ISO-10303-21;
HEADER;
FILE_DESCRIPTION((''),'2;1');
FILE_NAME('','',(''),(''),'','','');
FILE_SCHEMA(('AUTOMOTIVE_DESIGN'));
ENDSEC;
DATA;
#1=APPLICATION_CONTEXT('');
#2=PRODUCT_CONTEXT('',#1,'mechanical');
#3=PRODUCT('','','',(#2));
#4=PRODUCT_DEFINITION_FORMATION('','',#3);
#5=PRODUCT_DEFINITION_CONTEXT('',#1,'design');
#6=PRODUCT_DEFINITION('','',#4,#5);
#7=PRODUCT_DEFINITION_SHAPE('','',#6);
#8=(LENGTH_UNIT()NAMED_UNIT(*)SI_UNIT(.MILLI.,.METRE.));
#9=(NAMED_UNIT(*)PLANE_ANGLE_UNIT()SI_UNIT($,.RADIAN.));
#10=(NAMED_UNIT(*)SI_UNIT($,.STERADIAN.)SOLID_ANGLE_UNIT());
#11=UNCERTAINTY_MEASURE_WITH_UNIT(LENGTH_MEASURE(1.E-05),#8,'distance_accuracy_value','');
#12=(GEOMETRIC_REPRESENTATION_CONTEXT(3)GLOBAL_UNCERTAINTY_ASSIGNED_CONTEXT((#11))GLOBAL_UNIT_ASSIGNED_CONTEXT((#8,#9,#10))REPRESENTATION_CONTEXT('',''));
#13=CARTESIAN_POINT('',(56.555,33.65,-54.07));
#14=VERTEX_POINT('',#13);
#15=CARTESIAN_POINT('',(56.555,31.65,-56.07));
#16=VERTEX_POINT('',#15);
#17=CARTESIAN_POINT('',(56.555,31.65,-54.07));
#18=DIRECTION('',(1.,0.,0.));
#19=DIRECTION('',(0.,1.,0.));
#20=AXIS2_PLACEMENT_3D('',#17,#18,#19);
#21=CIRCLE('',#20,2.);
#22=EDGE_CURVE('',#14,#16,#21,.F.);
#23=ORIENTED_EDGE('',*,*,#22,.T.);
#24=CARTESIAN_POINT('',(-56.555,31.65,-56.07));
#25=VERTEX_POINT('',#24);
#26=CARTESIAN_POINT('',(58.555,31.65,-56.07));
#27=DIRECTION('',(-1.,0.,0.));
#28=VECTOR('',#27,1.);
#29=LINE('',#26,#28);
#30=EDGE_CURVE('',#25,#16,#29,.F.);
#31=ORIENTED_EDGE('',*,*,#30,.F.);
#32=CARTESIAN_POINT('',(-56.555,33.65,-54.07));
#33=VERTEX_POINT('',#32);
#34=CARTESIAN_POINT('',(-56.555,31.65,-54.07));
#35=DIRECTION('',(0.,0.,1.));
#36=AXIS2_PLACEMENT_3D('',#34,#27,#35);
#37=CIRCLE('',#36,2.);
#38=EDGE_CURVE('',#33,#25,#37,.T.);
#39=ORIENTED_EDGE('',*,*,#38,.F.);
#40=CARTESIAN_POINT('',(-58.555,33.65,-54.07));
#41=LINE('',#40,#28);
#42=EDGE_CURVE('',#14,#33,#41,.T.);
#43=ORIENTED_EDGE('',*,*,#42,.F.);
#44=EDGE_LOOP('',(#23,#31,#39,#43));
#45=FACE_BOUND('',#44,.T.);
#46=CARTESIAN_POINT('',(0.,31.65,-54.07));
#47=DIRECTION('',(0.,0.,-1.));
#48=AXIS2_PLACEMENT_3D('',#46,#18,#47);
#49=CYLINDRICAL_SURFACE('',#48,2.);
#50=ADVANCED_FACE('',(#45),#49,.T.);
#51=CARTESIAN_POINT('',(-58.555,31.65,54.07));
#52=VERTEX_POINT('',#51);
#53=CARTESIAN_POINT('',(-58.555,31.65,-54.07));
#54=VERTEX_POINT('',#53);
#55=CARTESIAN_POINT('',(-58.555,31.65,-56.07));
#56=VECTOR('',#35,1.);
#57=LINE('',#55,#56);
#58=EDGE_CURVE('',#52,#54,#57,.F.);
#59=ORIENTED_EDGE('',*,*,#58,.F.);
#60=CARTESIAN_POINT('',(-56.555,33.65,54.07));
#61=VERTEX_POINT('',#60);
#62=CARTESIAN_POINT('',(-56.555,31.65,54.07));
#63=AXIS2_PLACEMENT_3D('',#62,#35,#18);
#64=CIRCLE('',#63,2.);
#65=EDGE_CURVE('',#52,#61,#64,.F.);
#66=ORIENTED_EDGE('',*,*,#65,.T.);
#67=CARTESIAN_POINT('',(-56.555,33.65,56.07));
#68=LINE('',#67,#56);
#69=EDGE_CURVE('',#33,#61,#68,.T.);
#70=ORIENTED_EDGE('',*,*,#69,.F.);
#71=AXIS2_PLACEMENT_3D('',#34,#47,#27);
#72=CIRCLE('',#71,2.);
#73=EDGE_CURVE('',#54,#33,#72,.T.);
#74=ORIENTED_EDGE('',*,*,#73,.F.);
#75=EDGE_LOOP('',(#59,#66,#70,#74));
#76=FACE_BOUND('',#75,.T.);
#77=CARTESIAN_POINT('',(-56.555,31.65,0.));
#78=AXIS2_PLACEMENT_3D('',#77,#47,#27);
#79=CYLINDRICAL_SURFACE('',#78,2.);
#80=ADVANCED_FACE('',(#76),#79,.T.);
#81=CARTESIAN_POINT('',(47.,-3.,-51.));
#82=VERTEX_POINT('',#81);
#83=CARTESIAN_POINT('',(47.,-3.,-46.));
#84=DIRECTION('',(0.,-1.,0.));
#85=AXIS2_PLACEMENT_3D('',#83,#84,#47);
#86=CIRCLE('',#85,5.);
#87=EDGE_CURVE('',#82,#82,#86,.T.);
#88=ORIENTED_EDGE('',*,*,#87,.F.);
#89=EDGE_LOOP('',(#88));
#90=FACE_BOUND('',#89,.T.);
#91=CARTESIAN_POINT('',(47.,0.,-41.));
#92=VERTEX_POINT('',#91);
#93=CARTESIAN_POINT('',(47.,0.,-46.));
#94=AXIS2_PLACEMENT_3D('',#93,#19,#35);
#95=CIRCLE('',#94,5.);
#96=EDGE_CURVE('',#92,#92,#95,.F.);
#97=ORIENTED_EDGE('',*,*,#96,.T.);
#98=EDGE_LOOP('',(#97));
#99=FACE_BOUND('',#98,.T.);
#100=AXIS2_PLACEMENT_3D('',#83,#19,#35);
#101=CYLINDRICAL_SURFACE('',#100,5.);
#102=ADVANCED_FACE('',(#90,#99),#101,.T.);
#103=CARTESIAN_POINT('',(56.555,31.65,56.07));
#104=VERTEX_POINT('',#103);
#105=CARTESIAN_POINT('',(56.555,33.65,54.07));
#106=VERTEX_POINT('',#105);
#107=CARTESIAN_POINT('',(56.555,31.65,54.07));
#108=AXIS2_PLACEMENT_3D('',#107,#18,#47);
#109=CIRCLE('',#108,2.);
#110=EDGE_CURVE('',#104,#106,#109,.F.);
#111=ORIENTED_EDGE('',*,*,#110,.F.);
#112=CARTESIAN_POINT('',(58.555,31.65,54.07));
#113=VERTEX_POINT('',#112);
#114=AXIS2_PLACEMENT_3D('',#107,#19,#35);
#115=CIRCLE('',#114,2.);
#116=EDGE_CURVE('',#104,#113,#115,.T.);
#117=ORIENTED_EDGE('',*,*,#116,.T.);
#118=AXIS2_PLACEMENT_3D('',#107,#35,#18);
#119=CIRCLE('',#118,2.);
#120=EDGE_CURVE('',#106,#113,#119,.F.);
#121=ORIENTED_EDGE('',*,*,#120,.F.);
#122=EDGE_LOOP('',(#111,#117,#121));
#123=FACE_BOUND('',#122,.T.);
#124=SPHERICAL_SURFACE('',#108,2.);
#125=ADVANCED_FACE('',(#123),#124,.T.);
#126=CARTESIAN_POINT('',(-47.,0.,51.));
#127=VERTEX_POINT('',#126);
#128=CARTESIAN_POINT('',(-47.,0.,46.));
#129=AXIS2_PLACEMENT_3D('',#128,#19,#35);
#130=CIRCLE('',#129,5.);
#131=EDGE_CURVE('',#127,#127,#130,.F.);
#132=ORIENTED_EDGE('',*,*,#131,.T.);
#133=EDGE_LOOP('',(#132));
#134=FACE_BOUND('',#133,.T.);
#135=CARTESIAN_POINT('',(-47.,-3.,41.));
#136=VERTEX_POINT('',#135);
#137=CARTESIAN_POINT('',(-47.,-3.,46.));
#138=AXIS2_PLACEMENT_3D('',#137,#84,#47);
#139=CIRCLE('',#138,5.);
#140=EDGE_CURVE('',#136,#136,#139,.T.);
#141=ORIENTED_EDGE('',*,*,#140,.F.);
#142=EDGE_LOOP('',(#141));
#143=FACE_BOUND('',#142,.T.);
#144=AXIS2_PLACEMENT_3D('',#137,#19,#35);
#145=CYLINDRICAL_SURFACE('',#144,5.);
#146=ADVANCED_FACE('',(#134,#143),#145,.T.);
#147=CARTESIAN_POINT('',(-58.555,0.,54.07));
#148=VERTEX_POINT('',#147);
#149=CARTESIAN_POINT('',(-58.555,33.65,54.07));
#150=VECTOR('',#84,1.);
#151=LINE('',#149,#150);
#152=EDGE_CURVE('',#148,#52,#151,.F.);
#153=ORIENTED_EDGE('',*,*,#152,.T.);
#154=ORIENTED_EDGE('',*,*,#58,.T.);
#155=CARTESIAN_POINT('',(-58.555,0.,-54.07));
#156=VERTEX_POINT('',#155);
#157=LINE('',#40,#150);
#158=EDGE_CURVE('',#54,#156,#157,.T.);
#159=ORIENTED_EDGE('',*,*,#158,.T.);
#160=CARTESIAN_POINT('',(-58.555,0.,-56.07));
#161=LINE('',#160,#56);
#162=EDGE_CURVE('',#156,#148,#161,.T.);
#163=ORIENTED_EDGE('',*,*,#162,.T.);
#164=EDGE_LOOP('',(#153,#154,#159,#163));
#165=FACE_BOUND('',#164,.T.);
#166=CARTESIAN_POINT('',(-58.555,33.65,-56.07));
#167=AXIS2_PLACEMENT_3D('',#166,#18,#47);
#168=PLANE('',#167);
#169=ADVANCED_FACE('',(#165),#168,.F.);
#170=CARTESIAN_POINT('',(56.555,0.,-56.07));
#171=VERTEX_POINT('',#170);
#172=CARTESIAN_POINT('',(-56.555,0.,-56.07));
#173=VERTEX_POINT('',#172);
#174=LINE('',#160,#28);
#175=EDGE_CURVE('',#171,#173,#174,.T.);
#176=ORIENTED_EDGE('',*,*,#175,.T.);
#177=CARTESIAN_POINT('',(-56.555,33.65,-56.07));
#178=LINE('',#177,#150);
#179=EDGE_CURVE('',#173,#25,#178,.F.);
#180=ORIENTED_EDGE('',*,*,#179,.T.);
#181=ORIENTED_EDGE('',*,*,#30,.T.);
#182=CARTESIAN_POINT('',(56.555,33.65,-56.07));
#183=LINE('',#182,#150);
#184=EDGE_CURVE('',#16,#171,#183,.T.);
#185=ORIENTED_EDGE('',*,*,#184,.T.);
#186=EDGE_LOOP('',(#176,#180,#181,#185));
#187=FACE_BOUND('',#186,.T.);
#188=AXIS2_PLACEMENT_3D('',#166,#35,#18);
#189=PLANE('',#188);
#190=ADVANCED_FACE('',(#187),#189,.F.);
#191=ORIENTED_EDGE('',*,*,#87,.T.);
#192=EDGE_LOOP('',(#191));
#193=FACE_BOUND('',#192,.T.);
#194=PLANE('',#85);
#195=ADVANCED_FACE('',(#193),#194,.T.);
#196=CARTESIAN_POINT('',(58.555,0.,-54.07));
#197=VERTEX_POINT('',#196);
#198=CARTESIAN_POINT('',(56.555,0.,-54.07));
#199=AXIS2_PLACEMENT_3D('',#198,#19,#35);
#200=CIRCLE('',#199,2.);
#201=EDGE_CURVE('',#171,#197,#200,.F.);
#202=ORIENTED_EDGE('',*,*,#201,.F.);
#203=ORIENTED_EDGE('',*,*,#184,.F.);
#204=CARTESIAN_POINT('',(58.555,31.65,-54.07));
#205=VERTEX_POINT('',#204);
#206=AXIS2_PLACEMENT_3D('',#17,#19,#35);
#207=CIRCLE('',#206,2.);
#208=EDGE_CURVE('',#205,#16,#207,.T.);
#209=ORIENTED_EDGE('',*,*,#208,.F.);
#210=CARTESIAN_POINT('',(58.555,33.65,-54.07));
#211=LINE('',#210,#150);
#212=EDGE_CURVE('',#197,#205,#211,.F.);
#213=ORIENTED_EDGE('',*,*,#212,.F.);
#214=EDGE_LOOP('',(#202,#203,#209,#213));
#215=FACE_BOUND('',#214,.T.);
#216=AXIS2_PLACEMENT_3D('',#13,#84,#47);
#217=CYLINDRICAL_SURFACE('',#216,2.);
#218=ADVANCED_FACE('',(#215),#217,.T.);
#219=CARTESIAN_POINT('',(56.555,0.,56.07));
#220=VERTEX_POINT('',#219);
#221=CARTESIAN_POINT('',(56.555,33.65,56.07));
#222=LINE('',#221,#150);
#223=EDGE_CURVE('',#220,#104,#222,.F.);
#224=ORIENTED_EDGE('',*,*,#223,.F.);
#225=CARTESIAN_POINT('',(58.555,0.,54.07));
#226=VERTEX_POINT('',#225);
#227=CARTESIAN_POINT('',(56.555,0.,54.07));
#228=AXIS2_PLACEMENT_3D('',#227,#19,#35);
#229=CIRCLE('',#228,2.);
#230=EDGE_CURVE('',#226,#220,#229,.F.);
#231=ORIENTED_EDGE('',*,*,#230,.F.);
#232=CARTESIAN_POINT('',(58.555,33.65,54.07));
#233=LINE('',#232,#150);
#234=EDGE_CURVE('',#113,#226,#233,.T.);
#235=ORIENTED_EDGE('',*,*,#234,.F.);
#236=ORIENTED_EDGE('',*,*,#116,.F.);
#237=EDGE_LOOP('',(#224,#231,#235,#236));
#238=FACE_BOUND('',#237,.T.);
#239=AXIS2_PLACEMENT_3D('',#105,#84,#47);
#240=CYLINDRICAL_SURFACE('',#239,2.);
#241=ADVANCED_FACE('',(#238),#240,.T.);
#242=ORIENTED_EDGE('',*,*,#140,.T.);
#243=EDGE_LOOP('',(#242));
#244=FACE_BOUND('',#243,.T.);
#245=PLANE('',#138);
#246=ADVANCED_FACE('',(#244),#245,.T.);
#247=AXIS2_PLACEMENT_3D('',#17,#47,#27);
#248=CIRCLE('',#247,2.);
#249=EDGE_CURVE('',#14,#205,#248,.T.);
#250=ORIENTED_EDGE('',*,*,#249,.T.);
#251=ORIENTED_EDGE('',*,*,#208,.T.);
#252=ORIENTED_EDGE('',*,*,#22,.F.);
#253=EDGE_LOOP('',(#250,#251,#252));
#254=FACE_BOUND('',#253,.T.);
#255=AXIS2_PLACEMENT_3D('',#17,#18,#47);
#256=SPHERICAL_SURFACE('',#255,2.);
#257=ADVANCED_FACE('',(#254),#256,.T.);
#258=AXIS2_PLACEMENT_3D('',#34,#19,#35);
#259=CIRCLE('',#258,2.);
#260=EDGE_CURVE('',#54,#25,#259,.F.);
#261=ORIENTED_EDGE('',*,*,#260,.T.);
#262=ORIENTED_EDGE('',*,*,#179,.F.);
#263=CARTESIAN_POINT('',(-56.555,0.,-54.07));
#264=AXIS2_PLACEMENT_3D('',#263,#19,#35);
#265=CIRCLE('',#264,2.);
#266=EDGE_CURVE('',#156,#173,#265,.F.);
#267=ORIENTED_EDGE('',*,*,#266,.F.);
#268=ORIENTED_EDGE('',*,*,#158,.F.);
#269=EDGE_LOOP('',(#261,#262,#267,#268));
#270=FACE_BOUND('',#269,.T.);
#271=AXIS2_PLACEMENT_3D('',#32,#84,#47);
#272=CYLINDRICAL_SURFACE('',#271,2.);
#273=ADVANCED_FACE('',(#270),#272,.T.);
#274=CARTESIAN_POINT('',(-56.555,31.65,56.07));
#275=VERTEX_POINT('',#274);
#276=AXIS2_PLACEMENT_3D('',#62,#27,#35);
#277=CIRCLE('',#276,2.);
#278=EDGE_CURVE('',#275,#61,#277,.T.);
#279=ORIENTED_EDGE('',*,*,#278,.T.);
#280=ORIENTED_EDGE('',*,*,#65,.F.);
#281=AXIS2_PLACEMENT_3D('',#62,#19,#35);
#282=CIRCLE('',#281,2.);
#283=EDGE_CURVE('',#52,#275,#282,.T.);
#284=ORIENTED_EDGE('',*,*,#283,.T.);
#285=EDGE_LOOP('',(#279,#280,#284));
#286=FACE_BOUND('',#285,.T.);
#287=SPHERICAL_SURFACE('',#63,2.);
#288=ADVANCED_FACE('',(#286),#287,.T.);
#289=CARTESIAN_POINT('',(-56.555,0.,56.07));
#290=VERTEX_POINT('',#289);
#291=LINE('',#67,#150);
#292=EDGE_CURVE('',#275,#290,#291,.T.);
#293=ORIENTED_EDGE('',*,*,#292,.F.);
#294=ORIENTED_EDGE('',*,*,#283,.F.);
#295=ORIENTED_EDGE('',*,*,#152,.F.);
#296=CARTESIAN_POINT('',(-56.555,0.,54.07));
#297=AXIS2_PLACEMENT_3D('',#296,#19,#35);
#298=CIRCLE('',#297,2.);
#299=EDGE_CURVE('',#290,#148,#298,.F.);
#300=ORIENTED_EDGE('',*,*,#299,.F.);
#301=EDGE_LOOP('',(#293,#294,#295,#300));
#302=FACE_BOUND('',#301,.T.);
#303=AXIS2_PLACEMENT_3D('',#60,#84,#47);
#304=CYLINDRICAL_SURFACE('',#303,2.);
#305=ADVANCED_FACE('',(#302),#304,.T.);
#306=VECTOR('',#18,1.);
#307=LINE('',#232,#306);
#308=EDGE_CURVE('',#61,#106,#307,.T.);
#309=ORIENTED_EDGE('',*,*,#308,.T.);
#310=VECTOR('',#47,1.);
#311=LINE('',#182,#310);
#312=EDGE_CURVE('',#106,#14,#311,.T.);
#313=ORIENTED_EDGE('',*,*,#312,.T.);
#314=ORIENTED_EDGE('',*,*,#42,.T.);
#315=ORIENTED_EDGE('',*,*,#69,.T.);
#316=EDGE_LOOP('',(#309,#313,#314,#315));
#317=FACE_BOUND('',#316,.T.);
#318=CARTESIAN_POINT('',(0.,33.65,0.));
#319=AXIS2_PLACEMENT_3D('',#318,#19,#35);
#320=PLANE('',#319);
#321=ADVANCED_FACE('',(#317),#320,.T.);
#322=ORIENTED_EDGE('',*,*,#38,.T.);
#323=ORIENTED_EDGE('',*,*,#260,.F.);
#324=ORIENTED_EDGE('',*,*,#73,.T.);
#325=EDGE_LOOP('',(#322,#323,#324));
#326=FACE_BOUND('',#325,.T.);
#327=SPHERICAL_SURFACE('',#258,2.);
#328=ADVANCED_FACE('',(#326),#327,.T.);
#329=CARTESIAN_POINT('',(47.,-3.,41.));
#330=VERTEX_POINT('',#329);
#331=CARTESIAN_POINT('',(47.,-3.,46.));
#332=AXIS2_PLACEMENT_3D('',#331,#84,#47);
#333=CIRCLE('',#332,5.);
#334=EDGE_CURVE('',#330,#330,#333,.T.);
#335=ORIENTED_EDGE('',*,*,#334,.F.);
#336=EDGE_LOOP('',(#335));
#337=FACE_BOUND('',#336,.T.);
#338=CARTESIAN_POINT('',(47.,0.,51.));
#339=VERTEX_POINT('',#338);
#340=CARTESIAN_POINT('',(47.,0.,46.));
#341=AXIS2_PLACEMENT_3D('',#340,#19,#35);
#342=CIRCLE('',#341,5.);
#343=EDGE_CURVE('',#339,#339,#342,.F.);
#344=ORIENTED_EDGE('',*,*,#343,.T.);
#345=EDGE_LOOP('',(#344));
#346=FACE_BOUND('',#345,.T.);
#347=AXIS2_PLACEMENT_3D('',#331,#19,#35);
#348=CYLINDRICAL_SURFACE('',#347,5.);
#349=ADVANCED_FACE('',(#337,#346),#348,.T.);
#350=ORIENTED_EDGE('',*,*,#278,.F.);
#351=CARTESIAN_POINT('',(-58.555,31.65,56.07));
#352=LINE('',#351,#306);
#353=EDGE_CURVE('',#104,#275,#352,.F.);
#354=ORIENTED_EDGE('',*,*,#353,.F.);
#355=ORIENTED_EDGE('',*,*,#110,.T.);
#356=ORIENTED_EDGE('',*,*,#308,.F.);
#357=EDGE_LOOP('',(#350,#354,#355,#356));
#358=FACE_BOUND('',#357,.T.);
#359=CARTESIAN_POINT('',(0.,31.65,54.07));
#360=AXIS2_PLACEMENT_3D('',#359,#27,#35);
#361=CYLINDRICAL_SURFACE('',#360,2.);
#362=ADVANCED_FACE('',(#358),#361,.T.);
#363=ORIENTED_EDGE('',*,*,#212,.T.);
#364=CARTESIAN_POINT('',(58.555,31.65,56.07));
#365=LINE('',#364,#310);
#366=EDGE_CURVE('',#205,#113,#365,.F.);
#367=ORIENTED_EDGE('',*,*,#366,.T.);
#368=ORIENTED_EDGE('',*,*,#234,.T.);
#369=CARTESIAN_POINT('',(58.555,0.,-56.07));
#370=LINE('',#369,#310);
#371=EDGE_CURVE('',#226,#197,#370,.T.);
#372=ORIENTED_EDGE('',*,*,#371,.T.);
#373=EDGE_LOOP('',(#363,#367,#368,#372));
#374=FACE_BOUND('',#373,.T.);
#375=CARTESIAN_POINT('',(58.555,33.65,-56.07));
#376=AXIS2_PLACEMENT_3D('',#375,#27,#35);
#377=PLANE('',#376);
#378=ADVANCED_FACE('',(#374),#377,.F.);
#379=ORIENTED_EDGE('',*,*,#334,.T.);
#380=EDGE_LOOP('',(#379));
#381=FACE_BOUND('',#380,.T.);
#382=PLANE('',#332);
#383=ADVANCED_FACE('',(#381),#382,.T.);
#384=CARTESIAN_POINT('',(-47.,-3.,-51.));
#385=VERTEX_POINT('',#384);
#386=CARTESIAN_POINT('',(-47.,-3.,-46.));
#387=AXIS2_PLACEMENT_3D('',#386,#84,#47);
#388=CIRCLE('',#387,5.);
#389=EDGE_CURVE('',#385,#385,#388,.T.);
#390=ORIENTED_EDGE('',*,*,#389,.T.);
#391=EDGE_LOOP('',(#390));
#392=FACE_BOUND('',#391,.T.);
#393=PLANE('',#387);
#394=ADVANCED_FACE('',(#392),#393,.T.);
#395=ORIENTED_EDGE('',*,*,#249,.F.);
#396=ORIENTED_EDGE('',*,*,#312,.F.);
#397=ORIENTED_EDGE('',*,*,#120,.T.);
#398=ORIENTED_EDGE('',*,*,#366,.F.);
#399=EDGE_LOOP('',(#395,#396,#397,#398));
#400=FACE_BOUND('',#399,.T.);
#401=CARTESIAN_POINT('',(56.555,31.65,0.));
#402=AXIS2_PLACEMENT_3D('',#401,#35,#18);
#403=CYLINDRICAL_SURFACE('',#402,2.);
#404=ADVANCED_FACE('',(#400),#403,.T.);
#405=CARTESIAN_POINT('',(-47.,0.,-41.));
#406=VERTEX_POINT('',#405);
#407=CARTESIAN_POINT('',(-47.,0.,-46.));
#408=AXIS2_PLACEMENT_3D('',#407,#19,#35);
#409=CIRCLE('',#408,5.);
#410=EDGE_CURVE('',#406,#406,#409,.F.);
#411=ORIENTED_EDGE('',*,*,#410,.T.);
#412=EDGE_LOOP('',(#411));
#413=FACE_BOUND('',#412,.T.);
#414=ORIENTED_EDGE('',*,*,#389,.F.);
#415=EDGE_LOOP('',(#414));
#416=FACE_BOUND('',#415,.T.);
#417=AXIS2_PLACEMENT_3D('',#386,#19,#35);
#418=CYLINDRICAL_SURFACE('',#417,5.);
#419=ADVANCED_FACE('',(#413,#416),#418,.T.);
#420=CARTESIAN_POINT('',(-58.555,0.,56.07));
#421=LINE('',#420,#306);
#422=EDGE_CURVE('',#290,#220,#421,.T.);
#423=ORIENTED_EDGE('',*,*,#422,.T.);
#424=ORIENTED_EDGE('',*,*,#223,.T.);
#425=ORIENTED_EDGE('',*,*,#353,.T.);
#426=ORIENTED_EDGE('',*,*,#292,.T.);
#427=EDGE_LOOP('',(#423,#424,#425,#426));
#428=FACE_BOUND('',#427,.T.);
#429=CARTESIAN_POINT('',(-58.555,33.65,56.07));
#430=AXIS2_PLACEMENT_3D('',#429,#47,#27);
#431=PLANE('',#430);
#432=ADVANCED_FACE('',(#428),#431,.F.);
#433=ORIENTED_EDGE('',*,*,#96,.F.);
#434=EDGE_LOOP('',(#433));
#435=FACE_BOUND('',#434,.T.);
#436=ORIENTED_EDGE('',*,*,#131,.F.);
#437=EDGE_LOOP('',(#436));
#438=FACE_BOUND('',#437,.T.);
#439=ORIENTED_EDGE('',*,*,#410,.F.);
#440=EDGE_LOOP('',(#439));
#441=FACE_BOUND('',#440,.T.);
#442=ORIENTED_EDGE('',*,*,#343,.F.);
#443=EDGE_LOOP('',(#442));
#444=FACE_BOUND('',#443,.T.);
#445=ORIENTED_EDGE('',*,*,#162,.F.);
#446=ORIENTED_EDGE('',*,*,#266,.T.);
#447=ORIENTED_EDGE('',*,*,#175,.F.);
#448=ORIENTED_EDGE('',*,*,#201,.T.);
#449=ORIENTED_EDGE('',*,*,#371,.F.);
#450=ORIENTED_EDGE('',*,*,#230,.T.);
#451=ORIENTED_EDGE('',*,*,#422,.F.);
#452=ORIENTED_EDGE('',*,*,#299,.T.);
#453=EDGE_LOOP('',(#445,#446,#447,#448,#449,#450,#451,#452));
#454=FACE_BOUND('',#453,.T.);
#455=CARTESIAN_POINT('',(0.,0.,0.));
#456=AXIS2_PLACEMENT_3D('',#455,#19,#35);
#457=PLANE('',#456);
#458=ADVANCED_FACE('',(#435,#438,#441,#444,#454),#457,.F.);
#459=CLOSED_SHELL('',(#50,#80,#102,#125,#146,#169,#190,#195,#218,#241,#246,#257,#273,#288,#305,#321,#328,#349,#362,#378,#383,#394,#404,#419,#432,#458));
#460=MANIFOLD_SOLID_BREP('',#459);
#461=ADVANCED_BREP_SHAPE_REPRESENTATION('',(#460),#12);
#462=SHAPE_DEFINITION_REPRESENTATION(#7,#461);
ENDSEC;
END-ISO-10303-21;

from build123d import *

# Parameters (mm, degrees)
SKETCH_1_W      = 117.11
SKETCH_1_H      = 112.14
EXTRUDE_1_DEPTH = 33.65
SKETCH_2_R      = 5
EXTRUDE_2_DEPTH = 3
FILLET_1_R      = 2


with BuildPart() as part:
    # 草图1 → 凸台-拉伸1 (new body)
    with BuildSketch(Plane(origin=(0, 0, 0), x_dir=(1, 0, 0), z_dir=(0, 1, 0))):
        Rectangle(SKETCH_1_W, SKETCH_1_H)
    extrude(amount=EXTRUDE_1_DEPTH)

    # 草图2 → 凸台-拉伸2 (add)
    with BuildSketch(Plane.XZ):
        with Locations((-47, 46)):
            Circle(SKETCH_2_R)
        with Locations((47, 46)):
            Circle(SKETCH_2_R)
        with Locations((47, -46)):
            Circle(SKETCH_2_R)
        with Locations((-47, -46)):
            Circle(SKETCH_2_R)
    extrude(amount=EXTRUDE_2_DEPTH)

    # 圆角1
    fillet_1_edges = [part.edges().sort_by_distance(p)[0] for p in [
        (-58.555, 33.65, 0),
        (0, 33.65, 56.07),
        (58.555, 33.65, 0),
        (58.555, 16.825, 56.07),
        (-58.555, 16.825, 56.07),
        (-58.555, 16.825, -56.07),
        (58.555, 16.825, -56.07),
        (0, 33.65, -56.07),
    ]]
    fillet(fillet_1_edges, radius=FILLET_1_R)


solid = part.part
